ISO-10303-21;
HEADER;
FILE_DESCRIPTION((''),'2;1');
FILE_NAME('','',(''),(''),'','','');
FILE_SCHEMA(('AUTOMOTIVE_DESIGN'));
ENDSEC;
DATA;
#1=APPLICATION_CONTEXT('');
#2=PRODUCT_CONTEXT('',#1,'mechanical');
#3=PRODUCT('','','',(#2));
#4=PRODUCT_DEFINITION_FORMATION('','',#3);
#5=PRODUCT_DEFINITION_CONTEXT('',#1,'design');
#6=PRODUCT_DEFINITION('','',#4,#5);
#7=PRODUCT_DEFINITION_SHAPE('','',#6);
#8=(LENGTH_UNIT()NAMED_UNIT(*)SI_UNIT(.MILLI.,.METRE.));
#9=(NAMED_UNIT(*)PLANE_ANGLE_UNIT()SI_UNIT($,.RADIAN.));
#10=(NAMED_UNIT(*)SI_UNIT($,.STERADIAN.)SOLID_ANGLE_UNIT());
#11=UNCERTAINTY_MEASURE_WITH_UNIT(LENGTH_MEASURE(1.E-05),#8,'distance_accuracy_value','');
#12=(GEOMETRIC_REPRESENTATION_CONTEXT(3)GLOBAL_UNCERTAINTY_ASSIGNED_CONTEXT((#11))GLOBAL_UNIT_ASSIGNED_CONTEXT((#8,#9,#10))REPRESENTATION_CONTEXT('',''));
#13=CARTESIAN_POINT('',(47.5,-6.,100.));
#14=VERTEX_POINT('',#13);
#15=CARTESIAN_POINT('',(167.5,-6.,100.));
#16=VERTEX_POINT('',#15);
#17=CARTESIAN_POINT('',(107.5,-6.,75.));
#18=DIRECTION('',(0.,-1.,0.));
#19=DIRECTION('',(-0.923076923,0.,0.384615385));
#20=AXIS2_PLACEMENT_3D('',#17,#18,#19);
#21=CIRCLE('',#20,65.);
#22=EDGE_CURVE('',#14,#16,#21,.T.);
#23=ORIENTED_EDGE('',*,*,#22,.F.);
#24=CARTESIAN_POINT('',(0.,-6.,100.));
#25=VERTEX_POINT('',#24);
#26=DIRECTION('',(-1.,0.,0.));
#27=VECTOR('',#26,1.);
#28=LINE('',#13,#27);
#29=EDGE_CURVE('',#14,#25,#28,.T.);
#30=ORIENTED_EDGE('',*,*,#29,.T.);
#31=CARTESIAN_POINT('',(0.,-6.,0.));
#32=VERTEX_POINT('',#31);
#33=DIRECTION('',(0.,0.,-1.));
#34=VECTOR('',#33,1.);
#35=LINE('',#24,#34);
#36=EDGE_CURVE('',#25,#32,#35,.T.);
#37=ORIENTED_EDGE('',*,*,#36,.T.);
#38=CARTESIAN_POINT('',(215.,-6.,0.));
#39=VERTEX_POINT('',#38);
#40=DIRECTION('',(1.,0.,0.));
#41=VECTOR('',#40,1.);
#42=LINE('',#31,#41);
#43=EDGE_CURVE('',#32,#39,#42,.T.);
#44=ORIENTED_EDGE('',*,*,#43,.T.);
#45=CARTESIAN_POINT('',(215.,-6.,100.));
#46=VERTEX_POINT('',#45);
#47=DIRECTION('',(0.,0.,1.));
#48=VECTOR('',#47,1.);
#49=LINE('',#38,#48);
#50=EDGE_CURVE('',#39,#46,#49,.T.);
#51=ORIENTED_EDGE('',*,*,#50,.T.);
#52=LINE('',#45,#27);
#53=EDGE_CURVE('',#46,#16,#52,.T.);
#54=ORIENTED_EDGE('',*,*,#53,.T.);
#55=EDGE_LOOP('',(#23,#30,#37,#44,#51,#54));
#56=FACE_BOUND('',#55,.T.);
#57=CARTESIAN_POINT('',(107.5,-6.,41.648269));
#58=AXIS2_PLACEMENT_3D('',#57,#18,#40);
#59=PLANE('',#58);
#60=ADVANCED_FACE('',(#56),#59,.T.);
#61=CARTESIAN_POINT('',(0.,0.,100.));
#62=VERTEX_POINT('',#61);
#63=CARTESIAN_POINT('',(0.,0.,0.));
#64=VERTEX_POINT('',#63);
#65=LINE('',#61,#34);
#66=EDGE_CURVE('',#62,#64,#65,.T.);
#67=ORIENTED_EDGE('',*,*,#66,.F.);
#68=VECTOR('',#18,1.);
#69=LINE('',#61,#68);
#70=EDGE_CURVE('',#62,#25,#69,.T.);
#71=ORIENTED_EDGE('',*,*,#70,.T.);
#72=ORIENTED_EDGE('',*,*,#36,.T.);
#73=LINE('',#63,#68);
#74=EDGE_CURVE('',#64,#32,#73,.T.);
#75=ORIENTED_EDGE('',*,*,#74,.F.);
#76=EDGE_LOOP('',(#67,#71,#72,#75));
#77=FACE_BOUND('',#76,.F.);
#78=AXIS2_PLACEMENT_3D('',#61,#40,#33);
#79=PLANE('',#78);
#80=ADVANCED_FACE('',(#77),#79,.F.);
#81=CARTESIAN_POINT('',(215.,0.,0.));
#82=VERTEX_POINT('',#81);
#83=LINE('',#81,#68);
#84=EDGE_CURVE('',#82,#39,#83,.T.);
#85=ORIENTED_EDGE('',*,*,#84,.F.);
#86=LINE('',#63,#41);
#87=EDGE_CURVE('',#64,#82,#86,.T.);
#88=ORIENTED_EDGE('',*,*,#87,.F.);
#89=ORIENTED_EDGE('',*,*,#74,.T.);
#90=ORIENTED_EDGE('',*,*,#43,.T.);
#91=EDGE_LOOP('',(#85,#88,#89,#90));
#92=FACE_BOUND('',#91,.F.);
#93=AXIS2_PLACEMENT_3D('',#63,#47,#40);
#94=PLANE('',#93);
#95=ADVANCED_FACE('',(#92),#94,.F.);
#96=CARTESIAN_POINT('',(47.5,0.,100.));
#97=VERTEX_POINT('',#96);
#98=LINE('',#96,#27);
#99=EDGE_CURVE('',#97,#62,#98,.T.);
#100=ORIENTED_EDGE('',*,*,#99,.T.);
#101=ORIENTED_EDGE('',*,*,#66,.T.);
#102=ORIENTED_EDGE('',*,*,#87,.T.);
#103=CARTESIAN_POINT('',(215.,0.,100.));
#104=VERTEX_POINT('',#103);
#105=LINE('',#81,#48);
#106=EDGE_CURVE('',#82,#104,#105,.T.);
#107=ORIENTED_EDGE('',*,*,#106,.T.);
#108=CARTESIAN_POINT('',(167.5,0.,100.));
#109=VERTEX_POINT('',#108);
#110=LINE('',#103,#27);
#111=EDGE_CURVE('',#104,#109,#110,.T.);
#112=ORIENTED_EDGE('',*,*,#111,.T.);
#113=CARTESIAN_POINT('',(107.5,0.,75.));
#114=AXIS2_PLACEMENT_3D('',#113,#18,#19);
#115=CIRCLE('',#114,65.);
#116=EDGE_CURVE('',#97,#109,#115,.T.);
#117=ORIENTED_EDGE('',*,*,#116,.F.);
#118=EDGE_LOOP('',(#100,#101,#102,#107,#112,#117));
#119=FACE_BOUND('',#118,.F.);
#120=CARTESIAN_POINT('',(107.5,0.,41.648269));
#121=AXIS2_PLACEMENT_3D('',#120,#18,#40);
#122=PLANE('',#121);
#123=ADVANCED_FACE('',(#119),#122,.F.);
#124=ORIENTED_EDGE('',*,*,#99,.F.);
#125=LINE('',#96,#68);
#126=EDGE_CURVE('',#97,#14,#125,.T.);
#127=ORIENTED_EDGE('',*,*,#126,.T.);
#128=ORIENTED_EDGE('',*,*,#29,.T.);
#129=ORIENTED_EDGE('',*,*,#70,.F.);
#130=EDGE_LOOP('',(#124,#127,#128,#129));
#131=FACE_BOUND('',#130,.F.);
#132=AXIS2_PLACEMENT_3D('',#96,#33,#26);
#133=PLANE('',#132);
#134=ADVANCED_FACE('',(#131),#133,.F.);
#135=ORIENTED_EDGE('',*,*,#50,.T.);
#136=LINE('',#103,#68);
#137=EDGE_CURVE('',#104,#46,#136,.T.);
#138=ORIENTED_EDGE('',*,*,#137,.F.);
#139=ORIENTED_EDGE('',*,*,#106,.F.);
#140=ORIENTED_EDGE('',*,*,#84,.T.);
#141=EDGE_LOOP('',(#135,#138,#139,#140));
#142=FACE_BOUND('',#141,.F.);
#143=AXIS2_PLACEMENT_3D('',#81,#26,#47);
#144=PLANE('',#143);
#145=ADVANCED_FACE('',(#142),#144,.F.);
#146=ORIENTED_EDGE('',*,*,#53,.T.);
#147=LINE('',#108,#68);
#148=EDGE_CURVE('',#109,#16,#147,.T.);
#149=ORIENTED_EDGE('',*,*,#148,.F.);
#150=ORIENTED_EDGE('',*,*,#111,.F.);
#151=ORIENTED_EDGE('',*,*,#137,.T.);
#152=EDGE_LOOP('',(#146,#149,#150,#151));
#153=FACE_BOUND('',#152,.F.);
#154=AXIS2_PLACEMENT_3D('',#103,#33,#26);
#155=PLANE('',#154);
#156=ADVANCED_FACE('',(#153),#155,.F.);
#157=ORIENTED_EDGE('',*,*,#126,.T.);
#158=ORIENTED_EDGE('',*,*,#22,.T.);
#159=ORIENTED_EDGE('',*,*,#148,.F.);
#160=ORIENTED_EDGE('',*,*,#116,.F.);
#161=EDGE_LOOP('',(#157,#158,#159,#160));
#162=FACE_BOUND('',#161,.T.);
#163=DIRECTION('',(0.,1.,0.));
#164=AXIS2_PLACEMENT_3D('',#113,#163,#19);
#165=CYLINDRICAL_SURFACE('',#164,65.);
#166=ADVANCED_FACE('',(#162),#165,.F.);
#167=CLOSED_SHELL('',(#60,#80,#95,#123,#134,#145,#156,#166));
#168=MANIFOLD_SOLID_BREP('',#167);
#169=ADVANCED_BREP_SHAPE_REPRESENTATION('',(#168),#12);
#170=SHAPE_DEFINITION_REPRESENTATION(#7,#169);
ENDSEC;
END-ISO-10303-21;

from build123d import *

# Parameters (mm, degrees)
PAD_DEPTH = 6


with BuildPart() as part:
    # Sketch → Pad (new body)
    with BuildSketch(Plane.XZ):
        with BuildLine():
            Line((0, 0), (215, 0))
            Line((215, 0), (215, 100))
            Line((215, 100), (167.5, 100))
            ThreePointArc((47.5, 100), (107.5, 10), (167.5, 100))
            Line((47.5, 100), (0, 100))
            Line((0, 100), (0, 0))
        make_face()
    extrude(amount=PAD_DEPTH)


solid = part.part
